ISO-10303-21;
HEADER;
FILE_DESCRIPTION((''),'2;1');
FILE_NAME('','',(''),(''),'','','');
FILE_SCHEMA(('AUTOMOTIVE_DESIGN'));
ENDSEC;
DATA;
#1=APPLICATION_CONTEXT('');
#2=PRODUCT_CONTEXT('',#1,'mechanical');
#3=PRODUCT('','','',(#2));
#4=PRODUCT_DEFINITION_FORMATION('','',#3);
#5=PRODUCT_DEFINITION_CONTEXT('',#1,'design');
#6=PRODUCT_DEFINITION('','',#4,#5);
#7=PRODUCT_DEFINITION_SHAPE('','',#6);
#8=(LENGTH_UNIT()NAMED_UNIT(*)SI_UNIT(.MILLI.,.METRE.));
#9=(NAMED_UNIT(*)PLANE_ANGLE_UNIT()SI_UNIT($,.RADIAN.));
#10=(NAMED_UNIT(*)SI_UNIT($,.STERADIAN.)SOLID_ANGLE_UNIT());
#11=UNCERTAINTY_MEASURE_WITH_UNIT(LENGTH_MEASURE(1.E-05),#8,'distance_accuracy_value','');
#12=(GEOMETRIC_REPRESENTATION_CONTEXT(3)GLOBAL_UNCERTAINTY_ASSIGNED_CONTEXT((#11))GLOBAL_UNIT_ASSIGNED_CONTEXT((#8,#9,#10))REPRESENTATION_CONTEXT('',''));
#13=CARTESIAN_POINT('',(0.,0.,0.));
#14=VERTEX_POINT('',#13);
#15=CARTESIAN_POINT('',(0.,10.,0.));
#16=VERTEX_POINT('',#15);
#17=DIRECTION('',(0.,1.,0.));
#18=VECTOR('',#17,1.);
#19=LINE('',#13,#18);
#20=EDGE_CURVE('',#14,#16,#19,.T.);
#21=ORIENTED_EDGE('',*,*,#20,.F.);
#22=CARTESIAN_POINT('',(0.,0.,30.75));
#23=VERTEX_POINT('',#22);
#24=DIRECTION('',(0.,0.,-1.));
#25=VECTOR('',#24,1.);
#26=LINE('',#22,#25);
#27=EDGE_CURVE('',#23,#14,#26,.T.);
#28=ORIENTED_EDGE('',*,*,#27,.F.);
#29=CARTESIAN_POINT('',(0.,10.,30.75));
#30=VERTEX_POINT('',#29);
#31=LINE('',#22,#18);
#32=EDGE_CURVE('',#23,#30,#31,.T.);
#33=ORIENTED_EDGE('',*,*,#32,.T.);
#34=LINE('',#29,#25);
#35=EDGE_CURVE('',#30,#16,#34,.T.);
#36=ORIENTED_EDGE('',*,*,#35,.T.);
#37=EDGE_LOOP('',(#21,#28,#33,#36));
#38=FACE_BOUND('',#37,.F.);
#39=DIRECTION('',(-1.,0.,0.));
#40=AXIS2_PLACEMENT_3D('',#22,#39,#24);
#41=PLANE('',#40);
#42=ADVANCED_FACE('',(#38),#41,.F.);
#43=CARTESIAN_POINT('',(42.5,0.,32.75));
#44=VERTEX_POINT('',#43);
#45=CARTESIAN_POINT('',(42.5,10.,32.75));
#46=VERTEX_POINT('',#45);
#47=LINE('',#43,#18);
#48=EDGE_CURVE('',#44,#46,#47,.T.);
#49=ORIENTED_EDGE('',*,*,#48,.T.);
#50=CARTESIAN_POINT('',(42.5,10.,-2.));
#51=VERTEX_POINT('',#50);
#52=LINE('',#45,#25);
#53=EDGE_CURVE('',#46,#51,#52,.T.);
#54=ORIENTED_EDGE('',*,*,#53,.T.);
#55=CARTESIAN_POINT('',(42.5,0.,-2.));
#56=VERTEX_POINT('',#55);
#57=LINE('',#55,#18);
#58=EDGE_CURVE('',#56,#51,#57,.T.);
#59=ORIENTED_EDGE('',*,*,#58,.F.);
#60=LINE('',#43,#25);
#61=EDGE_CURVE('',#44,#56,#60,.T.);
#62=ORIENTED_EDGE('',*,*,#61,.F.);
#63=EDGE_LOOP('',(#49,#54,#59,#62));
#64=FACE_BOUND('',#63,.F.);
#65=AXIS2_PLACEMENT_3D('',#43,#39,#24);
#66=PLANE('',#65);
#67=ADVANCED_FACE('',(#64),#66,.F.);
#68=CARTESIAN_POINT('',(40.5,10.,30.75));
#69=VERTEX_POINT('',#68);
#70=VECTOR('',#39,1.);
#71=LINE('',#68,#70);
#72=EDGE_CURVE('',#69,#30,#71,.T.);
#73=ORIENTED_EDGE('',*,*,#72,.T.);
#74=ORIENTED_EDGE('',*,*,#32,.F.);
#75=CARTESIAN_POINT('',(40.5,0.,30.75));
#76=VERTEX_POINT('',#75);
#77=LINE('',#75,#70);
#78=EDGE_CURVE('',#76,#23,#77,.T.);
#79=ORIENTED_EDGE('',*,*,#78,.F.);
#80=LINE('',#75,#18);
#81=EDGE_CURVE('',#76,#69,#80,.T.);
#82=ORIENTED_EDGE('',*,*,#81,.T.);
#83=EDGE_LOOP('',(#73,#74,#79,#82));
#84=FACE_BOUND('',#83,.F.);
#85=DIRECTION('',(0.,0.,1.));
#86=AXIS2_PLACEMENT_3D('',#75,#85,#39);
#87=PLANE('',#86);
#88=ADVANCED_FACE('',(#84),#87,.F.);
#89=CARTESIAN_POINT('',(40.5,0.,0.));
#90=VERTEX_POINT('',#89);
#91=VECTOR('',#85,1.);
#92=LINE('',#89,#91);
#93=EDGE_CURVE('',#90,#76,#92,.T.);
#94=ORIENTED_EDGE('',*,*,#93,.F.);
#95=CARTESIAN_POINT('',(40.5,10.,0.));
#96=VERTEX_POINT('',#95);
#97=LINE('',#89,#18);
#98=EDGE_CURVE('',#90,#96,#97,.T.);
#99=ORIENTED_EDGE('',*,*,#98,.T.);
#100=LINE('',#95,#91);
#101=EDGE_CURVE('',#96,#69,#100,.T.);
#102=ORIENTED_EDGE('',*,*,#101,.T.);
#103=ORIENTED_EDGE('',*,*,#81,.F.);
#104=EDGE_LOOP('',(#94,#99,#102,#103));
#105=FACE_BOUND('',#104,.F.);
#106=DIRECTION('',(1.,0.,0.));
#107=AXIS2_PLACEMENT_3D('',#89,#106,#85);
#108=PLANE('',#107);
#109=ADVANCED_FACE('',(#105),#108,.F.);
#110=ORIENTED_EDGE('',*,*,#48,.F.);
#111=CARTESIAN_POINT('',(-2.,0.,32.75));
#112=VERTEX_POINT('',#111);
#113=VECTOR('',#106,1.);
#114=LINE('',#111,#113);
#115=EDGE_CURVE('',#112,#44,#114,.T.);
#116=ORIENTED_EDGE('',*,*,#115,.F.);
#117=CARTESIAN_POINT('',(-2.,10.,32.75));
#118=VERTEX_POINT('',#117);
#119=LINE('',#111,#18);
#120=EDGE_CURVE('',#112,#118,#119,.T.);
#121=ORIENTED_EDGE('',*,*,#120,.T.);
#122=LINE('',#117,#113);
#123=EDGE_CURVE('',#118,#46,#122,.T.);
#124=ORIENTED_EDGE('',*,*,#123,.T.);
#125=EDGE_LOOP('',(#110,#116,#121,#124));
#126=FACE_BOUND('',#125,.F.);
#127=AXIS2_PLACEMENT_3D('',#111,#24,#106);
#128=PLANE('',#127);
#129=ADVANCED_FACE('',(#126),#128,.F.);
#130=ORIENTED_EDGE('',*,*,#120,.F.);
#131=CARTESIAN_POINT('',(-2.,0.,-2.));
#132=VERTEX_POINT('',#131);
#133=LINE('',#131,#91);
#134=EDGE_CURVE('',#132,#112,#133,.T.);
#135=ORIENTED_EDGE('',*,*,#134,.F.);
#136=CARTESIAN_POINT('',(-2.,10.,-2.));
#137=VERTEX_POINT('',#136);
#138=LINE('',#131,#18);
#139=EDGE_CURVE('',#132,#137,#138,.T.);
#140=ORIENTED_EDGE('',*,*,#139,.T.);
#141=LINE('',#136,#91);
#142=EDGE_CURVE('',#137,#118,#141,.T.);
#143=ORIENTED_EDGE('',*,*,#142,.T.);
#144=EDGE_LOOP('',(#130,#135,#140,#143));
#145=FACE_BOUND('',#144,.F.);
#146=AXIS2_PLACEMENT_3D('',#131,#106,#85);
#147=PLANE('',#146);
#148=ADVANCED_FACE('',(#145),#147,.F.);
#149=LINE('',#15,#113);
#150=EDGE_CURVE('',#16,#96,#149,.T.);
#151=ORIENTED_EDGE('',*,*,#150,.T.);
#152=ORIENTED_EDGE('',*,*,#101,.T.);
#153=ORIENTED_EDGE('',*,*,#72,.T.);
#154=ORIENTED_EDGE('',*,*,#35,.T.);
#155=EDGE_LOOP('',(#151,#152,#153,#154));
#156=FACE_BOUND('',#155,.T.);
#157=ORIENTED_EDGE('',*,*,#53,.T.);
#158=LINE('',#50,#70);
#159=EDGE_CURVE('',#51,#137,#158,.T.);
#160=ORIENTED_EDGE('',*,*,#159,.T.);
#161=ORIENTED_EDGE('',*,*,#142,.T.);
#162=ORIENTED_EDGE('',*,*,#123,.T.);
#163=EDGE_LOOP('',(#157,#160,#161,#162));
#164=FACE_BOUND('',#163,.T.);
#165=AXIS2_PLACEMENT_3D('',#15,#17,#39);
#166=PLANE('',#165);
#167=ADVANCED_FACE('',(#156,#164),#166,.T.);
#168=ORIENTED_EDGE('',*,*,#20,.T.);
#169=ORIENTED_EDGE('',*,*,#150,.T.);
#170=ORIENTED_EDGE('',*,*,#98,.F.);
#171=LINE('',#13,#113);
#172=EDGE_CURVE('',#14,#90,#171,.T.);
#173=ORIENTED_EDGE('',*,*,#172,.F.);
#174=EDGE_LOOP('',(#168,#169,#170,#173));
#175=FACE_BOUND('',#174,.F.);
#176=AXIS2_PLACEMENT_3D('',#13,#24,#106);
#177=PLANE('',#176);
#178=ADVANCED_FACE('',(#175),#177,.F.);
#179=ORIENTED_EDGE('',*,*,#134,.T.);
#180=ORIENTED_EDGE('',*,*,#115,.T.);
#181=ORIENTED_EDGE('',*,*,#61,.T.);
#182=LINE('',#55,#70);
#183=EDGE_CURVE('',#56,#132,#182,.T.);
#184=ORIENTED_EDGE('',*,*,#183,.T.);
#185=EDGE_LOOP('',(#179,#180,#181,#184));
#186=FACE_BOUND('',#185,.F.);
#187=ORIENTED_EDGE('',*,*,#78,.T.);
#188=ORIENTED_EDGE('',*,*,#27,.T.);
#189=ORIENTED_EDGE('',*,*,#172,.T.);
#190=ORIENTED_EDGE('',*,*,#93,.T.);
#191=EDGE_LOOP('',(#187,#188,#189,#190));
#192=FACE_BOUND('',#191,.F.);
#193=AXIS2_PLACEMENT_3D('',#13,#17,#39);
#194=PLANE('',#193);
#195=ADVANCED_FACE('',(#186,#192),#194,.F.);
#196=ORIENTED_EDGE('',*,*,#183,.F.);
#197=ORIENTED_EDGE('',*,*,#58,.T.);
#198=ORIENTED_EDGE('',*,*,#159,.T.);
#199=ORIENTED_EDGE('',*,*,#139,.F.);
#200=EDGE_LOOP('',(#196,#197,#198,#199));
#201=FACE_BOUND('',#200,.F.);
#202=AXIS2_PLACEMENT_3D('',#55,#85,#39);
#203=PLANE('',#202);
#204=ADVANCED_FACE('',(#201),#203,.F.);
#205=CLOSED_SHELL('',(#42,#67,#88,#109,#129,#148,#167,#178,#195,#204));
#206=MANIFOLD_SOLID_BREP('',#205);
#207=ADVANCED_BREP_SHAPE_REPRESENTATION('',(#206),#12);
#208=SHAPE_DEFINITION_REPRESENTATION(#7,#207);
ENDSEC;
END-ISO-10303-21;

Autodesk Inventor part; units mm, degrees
ref_plane "XZ Plane" through (0, 0, 0) normal (0, 1, 0) x (-1, 0, 0)
sketch "Sketch1" plane through (0, 0, 0) normal (0, 1, 0) x (-1, 0, 0)
  line L0 (0, 0) -> (-40.5, 0)
  line L1 (-40.5, 0) -> (-40.5, 30.75)
  line L2 (-40.5, 30.75) -> (0, 30.75)
  line L3 (0, 30.75) -> (0, 0)
  line L4 (2, 32.75) -> (-42.5, 32.75)
  line L5 (-42.5, 32.75) -> (-42.5, -2)
  line L6 (-42.5, -2) -> (2, -2)
  line L7 (2, -2) -> (2, 32.75)
  dimension "d2" = 40.5
  dimension "d3" = 30.75
  dimension "d4" = 2
extrude "Extrusion1" add sketch "Sketch1" along normal blind 10
ref_plane "Work Plane19" through (0, 5, 0) normal (0, 1, 0) x (1, 0, 0)
ref_plane "Work Plane20" through (42.5, 5, 32.75) normal (-0.7071, -0.7071, 0) x (0, 0, 1)
sketch "Sketch2" plane through (42.5, 5, 32.75) normal (-0.7071, -0.7071, 0) x (0, 0, 1)
  line L0 (0, -3.5355) -> (-34.75, -3.5355) construction
  line L1 (-34.75, -3.5355) -> (-34.75, 3.5355) construction
  line L2 (0, 3.5355) -> (-34.75, 3.5355) construction
  line L3 (0, -3.5355) -> (0, 3.5355) construction
  line L4 (-41.7, 0) -> (6.95, 0) construction
  line L5 (-34.75, 0) -> (-86.722, -105.5837)
  line L6 (-32.75, 33.5876) -> (-32.75, 4.9497) projected
  arc A0 (-86.722, -105.5837) -> (-80.0972, -119.7206) centre (-77.75, -110) ccw construction
  line L7 (-87.75, -113.6702) -> (-87.75, -110) construction
  line L8 (-87.75, -110) -> (-87.75, -104.3872) construction
  arc A1 (-86.722, -105.5837) -> (-87.75, -110) centre (-77.75, -110) ccw
  arc A2 (-87.75, -110) -> (-84.8211, -117.0711) centre (-77.75, -110) ccw
  point P0 (-32.75, 26.5165)
  dimension "d15" = 110
  dimension "d16" = 55
  dimension "d21" = 45
  dimension "d22" = 10
properties part number "central_foot"
